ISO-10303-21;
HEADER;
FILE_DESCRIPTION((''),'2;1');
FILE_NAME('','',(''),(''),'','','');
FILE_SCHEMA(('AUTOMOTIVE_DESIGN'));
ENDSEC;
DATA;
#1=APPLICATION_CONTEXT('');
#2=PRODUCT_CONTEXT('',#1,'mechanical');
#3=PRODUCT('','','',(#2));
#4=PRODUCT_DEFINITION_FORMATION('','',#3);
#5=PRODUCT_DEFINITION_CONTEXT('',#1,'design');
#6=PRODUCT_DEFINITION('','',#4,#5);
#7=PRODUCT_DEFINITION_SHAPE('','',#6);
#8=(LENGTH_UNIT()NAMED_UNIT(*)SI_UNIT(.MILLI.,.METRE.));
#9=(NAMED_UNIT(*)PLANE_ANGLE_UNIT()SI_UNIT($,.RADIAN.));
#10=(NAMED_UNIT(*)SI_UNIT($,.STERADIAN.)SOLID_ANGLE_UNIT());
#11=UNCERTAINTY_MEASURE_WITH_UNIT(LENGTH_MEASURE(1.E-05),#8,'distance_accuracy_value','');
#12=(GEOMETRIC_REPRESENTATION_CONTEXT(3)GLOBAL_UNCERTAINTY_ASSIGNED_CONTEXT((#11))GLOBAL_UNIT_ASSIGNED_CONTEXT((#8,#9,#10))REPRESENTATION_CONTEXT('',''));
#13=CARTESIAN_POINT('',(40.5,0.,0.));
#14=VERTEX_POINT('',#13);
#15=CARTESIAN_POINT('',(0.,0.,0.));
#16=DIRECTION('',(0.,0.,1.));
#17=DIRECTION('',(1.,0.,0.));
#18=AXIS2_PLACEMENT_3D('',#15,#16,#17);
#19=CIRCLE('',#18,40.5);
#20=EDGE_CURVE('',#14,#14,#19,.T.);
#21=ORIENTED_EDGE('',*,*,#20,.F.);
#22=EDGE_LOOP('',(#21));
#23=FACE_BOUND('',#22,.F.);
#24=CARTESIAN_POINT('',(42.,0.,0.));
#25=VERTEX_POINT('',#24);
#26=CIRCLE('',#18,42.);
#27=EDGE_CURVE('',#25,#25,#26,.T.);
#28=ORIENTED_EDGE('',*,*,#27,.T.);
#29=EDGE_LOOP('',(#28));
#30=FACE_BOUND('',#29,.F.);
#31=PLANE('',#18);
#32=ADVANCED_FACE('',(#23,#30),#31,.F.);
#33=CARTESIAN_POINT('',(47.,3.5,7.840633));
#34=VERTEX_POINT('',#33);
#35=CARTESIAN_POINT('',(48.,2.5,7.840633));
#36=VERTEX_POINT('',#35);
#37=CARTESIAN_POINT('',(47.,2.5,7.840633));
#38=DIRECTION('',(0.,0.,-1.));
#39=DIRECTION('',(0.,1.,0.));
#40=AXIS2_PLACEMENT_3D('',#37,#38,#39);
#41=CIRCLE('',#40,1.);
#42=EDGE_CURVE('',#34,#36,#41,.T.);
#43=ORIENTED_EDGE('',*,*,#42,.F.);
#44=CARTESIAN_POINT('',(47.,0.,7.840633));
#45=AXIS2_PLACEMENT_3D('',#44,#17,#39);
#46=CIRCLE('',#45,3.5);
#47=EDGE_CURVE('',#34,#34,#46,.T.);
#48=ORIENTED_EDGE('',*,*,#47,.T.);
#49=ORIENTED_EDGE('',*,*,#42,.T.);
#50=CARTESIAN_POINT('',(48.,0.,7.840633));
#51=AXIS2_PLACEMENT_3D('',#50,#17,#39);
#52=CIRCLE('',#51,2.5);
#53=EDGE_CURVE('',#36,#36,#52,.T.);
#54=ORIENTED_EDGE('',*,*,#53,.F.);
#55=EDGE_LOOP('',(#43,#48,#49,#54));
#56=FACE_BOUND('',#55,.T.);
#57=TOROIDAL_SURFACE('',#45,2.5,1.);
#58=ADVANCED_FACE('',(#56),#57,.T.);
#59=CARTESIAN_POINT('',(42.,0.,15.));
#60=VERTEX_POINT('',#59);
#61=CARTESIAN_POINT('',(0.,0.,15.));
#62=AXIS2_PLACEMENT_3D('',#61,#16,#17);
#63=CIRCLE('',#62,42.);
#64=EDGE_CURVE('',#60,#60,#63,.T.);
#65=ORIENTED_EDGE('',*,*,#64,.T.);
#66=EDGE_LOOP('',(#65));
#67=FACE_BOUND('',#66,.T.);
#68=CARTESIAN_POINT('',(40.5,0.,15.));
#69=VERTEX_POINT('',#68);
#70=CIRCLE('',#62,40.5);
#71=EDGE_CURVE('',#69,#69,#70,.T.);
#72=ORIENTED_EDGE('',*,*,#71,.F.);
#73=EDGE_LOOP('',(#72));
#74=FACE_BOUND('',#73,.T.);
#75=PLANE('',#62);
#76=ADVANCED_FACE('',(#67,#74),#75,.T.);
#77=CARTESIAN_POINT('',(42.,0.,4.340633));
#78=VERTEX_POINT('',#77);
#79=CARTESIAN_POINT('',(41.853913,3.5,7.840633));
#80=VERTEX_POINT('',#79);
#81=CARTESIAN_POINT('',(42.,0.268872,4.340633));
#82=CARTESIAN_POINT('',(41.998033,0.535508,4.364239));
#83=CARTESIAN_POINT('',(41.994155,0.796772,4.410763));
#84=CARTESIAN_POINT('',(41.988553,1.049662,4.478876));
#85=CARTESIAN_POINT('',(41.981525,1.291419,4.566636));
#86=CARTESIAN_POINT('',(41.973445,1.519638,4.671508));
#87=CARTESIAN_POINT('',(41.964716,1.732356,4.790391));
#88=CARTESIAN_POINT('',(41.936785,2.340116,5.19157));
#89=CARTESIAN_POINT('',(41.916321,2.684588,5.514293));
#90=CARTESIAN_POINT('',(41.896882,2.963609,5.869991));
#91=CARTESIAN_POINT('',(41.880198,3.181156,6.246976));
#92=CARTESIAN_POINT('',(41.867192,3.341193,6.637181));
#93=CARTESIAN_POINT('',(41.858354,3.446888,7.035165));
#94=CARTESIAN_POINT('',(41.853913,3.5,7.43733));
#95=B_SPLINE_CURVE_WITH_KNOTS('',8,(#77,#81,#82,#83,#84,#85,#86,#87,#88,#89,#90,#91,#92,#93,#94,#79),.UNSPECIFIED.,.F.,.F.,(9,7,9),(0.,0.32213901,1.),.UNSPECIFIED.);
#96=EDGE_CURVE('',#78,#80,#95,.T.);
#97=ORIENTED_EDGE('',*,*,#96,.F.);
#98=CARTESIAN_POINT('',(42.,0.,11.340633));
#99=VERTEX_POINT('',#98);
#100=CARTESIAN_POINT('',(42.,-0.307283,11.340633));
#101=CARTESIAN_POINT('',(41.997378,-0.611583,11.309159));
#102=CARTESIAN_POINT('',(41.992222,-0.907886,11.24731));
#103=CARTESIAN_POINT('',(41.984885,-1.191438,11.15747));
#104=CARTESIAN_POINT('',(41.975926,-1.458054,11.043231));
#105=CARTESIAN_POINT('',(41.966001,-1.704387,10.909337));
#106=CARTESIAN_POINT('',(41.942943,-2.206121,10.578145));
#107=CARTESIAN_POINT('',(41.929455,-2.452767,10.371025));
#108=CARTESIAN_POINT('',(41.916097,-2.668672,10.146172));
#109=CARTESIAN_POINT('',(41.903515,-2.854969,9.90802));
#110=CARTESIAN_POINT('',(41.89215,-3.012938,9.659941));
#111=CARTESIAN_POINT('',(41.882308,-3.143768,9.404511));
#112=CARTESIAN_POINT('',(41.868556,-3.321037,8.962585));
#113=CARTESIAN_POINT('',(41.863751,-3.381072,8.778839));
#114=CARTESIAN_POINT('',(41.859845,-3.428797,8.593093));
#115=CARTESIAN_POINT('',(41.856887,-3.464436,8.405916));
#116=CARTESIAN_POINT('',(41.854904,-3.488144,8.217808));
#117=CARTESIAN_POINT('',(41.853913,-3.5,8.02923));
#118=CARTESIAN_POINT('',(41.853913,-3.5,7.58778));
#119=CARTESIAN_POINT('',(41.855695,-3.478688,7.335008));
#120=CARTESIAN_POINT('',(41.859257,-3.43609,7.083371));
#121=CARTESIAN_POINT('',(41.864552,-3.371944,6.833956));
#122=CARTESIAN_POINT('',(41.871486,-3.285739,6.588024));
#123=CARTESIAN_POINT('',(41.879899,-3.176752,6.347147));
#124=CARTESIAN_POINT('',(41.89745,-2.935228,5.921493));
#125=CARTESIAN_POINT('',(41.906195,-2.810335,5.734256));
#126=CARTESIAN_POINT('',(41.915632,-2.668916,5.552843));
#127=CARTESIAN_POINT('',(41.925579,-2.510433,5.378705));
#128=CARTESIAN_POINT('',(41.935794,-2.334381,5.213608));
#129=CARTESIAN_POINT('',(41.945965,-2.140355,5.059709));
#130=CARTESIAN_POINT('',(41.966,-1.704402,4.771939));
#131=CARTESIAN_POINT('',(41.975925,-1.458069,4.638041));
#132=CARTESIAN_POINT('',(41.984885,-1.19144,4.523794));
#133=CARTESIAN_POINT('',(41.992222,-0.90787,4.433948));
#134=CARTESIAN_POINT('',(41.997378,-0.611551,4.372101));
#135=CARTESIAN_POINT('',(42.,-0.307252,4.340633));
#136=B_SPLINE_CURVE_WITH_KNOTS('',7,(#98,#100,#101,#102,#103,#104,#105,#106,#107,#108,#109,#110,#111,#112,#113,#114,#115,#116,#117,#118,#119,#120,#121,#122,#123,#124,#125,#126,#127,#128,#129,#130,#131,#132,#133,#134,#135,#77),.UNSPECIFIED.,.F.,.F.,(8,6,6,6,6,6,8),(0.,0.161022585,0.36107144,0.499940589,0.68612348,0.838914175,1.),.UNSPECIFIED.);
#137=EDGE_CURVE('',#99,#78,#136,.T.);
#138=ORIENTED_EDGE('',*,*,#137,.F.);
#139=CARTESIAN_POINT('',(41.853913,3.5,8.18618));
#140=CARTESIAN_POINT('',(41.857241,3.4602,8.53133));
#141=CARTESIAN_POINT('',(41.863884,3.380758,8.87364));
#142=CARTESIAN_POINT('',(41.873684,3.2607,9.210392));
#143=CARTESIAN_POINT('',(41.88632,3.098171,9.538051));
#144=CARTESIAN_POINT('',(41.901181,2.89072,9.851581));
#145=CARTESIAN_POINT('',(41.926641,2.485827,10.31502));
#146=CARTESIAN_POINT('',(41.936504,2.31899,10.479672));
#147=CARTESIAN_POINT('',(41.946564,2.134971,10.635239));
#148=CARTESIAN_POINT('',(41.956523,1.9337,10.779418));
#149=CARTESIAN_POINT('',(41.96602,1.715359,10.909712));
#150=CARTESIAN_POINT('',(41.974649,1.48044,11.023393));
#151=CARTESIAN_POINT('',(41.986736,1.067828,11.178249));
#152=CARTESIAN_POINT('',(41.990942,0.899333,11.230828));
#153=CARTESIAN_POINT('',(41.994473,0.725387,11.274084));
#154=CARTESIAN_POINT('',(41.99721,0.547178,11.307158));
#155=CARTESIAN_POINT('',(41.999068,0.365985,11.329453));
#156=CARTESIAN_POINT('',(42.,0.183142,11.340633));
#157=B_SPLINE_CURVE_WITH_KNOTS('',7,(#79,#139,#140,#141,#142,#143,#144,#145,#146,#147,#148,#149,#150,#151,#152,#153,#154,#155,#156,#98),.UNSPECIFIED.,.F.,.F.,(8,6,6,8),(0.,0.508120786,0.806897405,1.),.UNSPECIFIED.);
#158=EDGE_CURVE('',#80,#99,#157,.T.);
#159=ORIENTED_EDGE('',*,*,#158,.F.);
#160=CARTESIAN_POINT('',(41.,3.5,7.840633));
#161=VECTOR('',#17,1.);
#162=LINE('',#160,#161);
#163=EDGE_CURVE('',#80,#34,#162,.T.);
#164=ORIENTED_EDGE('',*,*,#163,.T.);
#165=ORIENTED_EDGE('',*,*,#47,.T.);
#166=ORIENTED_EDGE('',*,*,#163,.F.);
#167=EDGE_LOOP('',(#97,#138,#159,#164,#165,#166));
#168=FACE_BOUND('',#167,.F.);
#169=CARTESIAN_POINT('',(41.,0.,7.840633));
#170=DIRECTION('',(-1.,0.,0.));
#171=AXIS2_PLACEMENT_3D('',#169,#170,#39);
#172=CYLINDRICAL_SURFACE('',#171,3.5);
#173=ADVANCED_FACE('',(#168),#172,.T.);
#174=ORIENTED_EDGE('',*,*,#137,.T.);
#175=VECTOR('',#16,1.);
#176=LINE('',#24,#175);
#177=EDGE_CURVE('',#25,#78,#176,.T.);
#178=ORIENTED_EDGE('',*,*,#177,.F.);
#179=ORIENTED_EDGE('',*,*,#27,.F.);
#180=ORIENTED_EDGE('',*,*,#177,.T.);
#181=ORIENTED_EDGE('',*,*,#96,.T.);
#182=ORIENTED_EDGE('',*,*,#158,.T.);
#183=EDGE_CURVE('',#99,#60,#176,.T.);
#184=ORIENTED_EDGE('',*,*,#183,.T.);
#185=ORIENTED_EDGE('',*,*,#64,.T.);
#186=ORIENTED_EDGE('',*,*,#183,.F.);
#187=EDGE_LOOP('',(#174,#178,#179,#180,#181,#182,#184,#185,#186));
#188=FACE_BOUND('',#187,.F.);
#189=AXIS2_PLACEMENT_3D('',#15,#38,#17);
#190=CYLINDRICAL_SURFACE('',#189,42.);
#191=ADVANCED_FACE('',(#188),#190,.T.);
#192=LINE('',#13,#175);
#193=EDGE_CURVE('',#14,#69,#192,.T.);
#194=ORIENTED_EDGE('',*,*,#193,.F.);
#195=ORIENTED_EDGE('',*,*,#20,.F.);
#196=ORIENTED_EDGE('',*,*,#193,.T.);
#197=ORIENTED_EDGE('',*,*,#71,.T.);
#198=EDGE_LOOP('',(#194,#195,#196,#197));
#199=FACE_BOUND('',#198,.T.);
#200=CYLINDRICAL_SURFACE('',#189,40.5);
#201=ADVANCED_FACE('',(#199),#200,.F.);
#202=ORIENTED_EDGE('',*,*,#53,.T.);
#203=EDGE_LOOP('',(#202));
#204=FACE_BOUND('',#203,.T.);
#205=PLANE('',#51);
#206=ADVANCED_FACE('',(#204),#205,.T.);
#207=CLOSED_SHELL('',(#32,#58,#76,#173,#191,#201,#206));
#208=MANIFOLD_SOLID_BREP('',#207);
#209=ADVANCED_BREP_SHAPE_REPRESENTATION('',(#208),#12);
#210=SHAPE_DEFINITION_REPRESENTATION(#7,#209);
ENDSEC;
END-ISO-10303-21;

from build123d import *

# Parameters (mm, degrees)
F0_R     = 42
F0_R_2   = 40.5
F1_DEPTH = 15
F3_R     = 3.5
F4_DEPTH = 7
F5_R     = 1


with BuildPart() as f1:
    # F0 (on Top) → F1 (new body)
    with BuildSketch(Plane.XY):
        Circle(F0_R)
        Circle(F0_R_2, mode=Mode.SUBTRACT)
    extrude(amount=F1_DEPTH)

    # F3 (on offset) → F4 (join)
    with BuildSketch(Plane.YZ.offset(41)):
        with Locations((0, 7.840633)):
            Circle(F3_R)
    extrude(amount=F4_DEPTH)

    # F5
    f5_edges = [f1.edges().sort_by_distance(p)[0] for p in [
        (48, -3.5, 7.840633),
    ]]
    fillet(f5_edges, radius=F5_R)


solid = f1.part
